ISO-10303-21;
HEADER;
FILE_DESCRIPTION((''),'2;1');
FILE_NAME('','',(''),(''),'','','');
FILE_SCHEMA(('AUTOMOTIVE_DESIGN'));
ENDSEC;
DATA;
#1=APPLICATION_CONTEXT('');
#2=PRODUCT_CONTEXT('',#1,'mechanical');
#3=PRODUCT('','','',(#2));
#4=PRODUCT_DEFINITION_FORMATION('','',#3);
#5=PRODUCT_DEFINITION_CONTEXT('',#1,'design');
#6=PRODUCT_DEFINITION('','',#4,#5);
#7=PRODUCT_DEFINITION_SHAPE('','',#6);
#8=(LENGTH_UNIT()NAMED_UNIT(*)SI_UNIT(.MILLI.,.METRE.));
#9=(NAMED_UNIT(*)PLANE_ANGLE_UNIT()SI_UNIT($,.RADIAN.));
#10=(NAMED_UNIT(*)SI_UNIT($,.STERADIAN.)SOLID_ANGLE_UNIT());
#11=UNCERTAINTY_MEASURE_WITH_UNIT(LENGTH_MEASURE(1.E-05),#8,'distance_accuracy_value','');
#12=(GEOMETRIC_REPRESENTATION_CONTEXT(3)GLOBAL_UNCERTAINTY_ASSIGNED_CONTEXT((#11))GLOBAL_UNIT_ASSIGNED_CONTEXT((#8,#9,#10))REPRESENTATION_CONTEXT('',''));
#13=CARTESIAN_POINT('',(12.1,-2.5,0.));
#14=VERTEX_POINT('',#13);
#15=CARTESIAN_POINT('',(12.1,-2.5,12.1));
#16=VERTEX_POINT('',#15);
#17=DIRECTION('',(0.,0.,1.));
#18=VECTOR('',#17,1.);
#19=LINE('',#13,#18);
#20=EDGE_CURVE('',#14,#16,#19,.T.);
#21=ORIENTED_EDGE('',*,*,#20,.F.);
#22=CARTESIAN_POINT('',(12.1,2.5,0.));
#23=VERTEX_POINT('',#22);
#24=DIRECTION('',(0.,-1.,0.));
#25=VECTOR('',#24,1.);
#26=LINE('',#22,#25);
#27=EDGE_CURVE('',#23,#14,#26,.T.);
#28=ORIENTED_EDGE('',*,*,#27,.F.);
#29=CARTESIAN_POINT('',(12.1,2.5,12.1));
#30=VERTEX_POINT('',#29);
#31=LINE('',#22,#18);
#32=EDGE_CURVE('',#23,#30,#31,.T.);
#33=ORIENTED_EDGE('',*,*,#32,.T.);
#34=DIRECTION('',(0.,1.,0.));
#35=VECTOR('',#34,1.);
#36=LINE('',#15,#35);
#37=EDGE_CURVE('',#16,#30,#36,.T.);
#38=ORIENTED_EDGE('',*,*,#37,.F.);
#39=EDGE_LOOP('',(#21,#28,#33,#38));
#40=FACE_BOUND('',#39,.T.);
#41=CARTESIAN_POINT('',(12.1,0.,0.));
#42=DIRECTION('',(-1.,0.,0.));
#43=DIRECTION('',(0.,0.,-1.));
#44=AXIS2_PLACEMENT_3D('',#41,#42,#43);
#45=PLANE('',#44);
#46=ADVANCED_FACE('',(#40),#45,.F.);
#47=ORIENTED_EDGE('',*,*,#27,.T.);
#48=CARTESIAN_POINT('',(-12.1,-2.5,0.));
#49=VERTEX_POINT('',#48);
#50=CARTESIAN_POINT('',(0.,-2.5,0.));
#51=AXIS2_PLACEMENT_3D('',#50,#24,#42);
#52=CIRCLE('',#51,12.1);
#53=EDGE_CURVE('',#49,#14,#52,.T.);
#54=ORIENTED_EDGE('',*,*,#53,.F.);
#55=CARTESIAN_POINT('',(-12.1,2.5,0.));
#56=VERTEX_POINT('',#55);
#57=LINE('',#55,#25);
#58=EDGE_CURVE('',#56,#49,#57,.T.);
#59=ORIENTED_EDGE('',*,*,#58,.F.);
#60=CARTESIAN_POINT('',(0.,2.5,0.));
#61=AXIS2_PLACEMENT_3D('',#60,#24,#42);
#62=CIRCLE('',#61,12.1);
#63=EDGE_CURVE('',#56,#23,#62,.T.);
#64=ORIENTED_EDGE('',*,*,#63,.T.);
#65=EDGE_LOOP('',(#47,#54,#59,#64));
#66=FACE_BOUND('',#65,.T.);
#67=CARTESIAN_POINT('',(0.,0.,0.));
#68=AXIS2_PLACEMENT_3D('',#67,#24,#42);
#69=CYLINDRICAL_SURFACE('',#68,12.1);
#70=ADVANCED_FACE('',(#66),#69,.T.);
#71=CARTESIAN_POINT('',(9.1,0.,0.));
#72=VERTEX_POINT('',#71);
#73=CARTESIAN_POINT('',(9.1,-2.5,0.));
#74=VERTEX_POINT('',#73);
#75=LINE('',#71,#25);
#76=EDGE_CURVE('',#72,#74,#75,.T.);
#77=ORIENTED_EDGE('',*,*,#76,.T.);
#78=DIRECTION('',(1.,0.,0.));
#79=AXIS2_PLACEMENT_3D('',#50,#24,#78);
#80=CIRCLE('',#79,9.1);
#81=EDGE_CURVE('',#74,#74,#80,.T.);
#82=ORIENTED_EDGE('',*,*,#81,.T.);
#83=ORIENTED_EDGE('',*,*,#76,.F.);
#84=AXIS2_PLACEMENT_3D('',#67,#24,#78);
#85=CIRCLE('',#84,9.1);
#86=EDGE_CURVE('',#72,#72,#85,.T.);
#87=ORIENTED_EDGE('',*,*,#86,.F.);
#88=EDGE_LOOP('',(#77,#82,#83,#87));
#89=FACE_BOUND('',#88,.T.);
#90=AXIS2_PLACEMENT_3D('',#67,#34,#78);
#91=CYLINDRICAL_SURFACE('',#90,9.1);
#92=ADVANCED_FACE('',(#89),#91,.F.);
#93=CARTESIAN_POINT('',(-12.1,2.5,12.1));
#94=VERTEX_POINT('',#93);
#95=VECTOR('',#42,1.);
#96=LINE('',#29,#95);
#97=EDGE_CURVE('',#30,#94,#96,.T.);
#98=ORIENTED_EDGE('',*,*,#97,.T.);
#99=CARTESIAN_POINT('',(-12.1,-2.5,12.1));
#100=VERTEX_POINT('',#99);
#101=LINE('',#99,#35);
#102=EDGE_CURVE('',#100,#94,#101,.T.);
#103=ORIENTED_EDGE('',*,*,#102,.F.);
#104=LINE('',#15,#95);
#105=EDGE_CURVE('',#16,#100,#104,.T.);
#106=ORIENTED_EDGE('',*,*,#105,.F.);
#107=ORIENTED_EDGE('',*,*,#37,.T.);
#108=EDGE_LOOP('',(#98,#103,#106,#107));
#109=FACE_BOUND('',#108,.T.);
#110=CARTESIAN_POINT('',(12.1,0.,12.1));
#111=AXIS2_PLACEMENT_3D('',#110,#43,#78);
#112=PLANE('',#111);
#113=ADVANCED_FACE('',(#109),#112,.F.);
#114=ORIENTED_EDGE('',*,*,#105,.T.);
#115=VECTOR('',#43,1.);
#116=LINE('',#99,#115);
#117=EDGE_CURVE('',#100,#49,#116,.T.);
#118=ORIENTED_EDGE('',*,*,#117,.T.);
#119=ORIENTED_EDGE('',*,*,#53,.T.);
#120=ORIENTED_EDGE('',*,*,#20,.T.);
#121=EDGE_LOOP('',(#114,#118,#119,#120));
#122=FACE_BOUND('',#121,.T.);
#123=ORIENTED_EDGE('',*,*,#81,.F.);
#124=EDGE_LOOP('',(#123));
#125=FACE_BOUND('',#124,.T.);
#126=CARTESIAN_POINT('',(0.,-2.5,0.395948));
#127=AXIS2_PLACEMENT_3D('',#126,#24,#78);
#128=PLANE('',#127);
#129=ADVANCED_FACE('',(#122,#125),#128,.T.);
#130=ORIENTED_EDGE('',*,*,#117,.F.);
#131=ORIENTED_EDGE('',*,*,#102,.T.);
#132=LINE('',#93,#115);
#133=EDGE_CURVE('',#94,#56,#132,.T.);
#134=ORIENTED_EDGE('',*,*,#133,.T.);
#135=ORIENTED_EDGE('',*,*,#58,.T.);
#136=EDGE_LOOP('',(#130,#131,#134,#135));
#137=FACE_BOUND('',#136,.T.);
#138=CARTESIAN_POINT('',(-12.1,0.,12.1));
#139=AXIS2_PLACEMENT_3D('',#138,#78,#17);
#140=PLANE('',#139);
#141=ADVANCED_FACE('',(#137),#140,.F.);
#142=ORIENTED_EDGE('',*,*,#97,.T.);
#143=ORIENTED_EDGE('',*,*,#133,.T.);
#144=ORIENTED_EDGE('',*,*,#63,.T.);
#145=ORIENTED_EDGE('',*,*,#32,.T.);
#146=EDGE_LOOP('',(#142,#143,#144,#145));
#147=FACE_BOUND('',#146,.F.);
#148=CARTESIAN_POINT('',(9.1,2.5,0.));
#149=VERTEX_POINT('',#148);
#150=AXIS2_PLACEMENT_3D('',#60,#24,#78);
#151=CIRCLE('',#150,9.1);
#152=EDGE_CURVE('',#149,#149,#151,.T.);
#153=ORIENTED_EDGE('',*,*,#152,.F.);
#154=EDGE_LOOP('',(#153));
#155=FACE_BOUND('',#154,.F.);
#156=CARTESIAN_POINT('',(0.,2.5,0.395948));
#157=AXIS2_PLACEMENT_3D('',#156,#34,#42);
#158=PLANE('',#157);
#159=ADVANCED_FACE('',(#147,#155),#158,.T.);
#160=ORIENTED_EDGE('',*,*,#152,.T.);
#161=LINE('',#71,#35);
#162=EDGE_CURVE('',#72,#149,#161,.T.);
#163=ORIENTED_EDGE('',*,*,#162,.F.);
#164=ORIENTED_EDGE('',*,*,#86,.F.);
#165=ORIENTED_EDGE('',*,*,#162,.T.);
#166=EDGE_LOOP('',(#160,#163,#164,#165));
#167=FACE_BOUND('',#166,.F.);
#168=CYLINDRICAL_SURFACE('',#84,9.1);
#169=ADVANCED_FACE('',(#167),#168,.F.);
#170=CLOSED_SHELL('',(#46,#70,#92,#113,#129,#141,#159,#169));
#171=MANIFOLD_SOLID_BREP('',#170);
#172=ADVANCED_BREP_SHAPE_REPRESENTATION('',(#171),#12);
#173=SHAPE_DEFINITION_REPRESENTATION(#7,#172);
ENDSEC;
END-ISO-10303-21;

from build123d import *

# Parameters (mm, degrees)
F0_R     = 9.1
F1_DEPTH = 2.5


with BuildPart() as f1:
    # F0 (on Front) → F1 (new body)
    with BuildSketch(Plane.XZ):
        with BuildLine():
            ThreePointArc((0, 12.1), (-8.555992, 8.555992), (-12.1, 0))
            ThreePointArc((-12.1, 0), (0, -12.1), (12.1, 0))
            ThreePointArc((12.1, 0), (8.555992, 8.555992), (0, 12.1))
        make_face()
        Circle(F0_R, mode=Mode.SUBTRACT)
        with BuildLine():
            Line((-12.1, 12.1), (-12.1, 0))
            ThreePointArc((-12.1, 0), (-8.555992, 8.555992), (0, 12.1))
            Line((0, 12.1), (-12.1, 12.1))
        make_face()
        with BuildLine():
            ThreePointArc((0, 12.1), (8.555992, 8.555992), (12.1, 0))
            Line((12.1, 0), (12.1, 12.1))
            Line((12.1, 12.1), (0, 12.1))
        make_face()
    extrude(amount=F1_DEPTH)

    # F2: F1 across plane


with BuildPart() as f1_1:
    add(f1.part)
    add(f1.part.mirror(Plane.XZ))


solid = f1_1.part
